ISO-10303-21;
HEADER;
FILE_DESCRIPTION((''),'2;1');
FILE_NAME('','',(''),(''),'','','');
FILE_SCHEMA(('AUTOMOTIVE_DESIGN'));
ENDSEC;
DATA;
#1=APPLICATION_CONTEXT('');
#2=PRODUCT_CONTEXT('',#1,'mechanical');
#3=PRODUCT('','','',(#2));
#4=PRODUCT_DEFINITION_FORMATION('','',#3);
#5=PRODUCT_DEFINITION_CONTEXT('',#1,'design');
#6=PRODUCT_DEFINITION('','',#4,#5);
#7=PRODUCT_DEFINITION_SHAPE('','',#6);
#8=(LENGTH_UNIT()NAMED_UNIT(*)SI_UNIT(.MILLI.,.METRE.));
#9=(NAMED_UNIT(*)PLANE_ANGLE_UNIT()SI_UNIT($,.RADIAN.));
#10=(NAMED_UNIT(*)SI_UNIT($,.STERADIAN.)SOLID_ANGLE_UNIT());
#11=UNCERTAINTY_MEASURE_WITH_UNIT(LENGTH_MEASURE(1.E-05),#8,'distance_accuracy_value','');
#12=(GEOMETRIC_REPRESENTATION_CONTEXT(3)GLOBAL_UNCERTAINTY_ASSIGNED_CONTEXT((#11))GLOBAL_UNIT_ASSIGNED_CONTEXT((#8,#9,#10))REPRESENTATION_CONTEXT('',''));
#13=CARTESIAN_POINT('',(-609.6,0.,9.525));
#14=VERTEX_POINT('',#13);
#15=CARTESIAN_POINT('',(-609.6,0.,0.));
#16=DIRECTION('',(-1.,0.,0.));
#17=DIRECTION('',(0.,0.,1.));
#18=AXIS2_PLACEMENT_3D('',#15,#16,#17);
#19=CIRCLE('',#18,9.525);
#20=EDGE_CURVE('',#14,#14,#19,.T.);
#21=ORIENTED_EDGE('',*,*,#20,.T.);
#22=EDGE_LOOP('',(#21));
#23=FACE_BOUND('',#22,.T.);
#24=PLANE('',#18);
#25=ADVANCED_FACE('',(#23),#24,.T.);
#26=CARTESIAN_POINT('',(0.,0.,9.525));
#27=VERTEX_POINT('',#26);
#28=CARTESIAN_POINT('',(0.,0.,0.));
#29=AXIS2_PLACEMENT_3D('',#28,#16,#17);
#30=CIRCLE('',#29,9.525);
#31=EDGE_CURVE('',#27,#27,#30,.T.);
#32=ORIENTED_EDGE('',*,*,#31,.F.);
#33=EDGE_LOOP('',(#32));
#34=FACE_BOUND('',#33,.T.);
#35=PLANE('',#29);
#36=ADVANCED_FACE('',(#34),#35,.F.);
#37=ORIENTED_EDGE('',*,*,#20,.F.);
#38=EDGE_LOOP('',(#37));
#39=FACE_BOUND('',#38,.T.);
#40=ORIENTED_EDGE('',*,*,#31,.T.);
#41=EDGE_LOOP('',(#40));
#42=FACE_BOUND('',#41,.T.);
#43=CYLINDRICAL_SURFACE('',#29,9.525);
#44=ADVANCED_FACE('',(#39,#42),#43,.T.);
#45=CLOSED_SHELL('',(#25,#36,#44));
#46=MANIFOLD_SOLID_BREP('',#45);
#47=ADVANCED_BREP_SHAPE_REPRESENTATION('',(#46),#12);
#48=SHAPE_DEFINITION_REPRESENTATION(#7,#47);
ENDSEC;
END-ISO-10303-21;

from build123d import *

# Parameters (mm, degrees)
SWEEP1_PROFILE_R = 9.525


with BuildPart() as part:
    # Sweep1: sweep along a path in Sketch1
    with BuildLine(Plane(origin=(0, 0, 0), x_dir=(1, 0, 0), z_dir=(0, 1, 0))) as sweep1_path:
        Line((0, 0), (-609.6, 0))
    # Sweep1 profile (on start of the path) → Sweep1 (sweep)
    with BuildSketch(Plane(origin=(0, 0, 0), x_dir=(0, 0, -1), z_dir=(-1, 0, 0))):
        Circle(SWEEP1_PROFILE_R)
    sweep(path=sweep1_path.line)


solid = part.part
